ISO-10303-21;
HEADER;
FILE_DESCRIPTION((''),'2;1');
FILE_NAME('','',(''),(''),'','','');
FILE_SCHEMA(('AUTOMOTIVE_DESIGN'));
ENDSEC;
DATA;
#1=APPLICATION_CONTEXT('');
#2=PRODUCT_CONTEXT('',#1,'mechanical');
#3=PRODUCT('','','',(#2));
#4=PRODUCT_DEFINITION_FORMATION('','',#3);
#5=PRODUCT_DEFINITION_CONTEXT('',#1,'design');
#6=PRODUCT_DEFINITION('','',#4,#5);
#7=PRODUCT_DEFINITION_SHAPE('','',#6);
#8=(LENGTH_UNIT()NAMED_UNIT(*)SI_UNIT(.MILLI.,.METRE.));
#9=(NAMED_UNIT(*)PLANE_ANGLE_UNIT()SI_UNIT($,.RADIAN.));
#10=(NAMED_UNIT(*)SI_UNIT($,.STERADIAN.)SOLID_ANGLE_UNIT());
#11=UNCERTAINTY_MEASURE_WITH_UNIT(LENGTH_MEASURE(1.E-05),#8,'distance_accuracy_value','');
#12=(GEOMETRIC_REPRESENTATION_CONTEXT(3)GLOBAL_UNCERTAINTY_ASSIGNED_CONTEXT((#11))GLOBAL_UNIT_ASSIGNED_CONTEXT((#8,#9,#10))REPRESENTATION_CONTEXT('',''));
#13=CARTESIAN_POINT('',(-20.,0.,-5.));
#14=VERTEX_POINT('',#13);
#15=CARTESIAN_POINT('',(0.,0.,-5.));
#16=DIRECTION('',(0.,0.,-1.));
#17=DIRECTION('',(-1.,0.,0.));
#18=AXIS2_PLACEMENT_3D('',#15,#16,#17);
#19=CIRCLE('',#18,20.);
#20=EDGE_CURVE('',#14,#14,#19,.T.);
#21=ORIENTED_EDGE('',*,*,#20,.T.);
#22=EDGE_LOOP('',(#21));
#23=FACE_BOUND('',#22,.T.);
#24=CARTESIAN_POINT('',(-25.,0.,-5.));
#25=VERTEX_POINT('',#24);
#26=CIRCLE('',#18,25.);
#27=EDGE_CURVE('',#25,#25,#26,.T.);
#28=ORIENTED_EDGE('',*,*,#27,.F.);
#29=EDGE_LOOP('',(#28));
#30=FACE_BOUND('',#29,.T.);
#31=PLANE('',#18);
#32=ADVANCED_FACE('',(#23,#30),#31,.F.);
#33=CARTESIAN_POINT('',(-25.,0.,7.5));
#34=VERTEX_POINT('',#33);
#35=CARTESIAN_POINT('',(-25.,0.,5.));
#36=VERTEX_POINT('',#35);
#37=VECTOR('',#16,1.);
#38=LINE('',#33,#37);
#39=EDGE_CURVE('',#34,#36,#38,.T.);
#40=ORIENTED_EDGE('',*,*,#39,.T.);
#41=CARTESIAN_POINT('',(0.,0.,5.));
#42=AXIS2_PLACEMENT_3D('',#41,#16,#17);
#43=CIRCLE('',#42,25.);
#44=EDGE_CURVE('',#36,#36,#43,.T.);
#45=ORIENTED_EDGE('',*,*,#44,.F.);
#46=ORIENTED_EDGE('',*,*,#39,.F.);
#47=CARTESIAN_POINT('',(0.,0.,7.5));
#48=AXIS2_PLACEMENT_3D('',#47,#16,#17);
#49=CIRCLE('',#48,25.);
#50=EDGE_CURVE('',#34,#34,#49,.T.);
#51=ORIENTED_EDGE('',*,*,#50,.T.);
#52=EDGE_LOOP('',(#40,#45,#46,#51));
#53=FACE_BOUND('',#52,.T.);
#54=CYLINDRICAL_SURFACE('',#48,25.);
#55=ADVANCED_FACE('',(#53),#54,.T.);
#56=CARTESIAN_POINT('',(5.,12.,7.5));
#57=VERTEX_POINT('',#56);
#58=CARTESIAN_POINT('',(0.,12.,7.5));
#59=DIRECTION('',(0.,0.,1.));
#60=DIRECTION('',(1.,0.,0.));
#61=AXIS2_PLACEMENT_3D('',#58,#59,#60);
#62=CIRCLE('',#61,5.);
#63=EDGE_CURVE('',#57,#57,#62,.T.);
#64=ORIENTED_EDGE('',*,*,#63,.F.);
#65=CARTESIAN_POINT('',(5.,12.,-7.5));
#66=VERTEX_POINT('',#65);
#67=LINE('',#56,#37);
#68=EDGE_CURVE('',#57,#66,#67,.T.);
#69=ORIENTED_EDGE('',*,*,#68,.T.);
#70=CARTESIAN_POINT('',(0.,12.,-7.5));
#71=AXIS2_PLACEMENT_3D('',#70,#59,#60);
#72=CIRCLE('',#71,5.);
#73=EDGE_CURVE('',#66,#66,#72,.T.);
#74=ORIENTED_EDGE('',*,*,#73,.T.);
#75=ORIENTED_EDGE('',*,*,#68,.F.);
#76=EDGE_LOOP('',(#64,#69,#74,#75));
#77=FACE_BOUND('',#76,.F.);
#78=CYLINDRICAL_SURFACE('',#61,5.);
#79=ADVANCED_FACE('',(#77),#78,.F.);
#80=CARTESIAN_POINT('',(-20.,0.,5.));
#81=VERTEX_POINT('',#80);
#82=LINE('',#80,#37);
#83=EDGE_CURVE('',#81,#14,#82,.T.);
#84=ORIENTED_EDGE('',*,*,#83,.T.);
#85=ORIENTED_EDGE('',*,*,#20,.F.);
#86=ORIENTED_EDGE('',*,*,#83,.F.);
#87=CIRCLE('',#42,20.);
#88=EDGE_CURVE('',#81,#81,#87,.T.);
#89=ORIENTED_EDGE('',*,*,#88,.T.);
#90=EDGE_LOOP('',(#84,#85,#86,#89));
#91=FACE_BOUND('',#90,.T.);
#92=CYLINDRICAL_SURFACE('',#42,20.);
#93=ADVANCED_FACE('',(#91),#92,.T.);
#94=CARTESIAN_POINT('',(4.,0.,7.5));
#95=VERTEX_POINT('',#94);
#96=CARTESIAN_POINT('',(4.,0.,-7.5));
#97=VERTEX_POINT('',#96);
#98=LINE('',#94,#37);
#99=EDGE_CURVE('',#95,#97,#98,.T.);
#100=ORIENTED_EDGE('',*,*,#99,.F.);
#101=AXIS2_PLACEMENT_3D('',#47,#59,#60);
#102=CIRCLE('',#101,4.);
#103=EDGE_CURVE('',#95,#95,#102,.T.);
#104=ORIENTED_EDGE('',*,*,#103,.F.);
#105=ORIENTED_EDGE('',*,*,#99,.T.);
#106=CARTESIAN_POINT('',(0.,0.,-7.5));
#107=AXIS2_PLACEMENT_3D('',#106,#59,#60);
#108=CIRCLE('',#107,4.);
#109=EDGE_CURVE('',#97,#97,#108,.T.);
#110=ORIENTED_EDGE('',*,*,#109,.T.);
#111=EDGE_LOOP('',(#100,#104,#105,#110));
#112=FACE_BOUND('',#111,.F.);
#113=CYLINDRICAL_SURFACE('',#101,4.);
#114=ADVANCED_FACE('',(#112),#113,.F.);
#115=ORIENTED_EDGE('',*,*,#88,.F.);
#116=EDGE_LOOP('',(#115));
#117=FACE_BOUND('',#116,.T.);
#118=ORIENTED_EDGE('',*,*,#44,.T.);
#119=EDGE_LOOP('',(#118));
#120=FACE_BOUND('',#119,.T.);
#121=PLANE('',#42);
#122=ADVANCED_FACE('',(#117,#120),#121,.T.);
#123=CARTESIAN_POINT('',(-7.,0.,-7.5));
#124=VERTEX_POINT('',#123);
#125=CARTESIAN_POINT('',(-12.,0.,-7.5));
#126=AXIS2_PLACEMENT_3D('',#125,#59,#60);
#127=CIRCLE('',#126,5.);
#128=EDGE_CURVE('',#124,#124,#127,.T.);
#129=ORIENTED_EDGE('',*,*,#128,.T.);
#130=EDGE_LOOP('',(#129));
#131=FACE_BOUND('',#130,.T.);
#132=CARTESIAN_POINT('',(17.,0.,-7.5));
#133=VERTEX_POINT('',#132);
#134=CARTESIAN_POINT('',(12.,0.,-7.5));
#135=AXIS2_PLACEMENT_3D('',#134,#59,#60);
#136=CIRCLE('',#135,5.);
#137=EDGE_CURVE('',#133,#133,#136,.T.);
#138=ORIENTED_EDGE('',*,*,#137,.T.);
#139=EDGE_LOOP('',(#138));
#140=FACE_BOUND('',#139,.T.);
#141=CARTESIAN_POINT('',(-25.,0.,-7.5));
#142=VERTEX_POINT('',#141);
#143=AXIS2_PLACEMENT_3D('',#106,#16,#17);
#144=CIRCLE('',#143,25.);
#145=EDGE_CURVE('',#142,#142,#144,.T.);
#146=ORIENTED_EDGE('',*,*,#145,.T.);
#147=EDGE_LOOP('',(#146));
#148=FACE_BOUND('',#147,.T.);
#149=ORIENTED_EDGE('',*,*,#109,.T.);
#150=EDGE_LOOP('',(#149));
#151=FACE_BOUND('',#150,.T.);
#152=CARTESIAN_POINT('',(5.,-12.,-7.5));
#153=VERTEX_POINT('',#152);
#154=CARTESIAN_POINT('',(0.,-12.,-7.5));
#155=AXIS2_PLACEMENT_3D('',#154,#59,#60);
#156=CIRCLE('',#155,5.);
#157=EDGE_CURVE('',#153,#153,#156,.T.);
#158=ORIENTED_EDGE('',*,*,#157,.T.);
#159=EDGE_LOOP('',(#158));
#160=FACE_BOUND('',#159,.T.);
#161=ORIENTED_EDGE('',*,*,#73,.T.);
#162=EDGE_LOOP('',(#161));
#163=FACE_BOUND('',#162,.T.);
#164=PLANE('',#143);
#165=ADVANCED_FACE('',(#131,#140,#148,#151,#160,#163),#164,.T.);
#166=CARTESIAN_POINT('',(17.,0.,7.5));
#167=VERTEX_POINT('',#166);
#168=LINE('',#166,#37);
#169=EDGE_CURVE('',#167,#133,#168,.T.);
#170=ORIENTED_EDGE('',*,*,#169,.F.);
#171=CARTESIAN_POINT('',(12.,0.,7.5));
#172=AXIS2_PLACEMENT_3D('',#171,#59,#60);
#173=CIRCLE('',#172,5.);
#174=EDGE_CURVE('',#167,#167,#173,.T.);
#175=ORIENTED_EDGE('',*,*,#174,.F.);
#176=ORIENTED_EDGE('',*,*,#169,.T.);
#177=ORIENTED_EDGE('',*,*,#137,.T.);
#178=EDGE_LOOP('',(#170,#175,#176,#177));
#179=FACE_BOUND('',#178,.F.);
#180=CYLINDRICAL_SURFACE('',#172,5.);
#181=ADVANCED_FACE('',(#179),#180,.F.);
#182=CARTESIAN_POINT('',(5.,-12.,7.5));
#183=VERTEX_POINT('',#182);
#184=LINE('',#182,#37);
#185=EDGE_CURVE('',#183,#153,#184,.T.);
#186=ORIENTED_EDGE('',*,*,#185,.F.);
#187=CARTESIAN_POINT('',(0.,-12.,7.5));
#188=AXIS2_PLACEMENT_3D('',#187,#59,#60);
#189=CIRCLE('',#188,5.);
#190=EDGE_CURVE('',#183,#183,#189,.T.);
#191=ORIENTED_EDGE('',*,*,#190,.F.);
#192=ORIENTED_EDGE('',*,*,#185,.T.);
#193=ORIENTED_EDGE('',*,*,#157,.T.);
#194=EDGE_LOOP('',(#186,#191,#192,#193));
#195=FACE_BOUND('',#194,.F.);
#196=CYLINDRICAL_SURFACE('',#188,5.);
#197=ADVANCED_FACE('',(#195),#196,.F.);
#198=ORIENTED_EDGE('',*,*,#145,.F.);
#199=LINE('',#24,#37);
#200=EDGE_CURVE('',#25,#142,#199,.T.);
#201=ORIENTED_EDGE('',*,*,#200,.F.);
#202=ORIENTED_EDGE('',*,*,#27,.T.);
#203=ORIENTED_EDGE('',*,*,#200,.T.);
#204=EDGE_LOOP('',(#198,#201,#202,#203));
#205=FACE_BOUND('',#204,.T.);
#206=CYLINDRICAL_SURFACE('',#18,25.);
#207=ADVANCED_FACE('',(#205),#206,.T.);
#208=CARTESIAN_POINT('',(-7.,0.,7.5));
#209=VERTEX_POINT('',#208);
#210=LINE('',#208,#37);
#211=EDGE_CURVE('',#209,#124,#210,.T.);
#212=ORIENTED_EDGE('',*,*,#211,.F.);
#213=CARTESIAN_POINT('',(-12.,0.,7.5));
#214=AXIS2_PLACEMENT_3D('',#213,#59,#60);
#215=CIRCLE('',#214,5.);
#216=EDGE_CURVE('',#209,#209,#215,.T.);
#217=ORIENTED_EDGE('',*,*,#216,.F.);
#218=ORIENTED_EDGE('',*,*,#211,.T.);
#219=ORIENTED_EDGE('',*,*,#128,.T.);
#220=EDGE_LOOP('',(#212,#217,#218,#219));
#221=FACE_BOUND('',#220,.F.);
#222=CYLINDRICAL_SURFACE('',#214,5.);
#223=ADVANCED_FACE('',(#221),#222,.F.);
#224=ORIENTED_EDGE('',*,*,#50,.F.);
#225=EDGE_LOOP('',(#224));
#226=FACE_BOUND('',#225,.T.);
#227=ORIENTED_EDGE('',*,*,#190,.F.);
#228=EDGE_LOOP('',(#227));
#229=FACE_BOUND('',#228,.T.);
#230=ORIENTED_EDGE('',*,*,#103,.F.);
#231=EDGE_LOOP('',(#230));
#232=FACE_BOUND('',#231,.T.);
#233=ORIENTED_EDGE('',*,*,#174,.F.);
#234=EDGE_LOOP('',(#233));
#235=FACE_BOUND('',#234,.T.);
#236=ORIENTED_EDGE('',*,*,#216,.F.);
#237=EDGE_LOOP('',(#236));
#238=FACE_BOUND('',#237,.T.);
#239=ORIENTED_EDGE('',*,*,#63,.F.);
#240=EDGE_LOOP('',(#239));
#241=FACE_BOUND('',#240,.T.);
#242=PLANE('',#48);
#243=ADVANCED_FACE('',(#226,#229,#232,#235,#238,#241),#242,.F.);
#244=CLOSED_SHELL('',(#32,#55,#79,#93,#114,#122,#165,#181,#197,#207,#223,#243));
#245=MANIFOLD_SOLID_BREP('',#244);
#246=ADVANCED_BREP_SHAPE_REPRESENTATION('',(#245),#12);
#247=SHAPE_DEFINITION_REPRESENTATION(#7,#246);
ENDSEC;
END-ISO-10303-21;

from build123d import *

# Parameters (mm, degrees)
F2_R     = 4
F3_DEPTH = 15.001
F4_R     = 5
F5_DEPTH = 15.001


with BuildPart() as f1:
    # F0 (on Front) → F1 (revolve)
    with BuildSketch(Plane.XZ):
        Polygon((0, -7.5), (0, 7.5), (-25, 7.5), (-25, 5), (-20, 5), (-20, -5), (-25, -5), (-25, -7.5), align=None)
    revolve(axis=Axis((0, 0, 0), (0, 0, -1)))

    # F2 (on face) → F3 (cut, through all)
    with BuildSketch(Plane.XY.offset(7.5)):
        Circle(F2_R)
    extrude(amount=-F3_DEPTH, mode=Mode.SUBTRACT)

    # F4 (on face) → F5 (cut, through all)
    with BuildSketch(Plane.XY.offset(7.5)):
        with Locations((-12, 0)):
            Circle(F4_R)
        with Locations((0, 12)):
            Circle(F4_R)
        with Locations((12, 0)):
            Circle(F4_R)
        with Locations((0, -12)):
            Circle(F4_R)
    extrude(amount=-F5_DEPTH, mode=Mode.SUBTRACT)


solid = f1.part
